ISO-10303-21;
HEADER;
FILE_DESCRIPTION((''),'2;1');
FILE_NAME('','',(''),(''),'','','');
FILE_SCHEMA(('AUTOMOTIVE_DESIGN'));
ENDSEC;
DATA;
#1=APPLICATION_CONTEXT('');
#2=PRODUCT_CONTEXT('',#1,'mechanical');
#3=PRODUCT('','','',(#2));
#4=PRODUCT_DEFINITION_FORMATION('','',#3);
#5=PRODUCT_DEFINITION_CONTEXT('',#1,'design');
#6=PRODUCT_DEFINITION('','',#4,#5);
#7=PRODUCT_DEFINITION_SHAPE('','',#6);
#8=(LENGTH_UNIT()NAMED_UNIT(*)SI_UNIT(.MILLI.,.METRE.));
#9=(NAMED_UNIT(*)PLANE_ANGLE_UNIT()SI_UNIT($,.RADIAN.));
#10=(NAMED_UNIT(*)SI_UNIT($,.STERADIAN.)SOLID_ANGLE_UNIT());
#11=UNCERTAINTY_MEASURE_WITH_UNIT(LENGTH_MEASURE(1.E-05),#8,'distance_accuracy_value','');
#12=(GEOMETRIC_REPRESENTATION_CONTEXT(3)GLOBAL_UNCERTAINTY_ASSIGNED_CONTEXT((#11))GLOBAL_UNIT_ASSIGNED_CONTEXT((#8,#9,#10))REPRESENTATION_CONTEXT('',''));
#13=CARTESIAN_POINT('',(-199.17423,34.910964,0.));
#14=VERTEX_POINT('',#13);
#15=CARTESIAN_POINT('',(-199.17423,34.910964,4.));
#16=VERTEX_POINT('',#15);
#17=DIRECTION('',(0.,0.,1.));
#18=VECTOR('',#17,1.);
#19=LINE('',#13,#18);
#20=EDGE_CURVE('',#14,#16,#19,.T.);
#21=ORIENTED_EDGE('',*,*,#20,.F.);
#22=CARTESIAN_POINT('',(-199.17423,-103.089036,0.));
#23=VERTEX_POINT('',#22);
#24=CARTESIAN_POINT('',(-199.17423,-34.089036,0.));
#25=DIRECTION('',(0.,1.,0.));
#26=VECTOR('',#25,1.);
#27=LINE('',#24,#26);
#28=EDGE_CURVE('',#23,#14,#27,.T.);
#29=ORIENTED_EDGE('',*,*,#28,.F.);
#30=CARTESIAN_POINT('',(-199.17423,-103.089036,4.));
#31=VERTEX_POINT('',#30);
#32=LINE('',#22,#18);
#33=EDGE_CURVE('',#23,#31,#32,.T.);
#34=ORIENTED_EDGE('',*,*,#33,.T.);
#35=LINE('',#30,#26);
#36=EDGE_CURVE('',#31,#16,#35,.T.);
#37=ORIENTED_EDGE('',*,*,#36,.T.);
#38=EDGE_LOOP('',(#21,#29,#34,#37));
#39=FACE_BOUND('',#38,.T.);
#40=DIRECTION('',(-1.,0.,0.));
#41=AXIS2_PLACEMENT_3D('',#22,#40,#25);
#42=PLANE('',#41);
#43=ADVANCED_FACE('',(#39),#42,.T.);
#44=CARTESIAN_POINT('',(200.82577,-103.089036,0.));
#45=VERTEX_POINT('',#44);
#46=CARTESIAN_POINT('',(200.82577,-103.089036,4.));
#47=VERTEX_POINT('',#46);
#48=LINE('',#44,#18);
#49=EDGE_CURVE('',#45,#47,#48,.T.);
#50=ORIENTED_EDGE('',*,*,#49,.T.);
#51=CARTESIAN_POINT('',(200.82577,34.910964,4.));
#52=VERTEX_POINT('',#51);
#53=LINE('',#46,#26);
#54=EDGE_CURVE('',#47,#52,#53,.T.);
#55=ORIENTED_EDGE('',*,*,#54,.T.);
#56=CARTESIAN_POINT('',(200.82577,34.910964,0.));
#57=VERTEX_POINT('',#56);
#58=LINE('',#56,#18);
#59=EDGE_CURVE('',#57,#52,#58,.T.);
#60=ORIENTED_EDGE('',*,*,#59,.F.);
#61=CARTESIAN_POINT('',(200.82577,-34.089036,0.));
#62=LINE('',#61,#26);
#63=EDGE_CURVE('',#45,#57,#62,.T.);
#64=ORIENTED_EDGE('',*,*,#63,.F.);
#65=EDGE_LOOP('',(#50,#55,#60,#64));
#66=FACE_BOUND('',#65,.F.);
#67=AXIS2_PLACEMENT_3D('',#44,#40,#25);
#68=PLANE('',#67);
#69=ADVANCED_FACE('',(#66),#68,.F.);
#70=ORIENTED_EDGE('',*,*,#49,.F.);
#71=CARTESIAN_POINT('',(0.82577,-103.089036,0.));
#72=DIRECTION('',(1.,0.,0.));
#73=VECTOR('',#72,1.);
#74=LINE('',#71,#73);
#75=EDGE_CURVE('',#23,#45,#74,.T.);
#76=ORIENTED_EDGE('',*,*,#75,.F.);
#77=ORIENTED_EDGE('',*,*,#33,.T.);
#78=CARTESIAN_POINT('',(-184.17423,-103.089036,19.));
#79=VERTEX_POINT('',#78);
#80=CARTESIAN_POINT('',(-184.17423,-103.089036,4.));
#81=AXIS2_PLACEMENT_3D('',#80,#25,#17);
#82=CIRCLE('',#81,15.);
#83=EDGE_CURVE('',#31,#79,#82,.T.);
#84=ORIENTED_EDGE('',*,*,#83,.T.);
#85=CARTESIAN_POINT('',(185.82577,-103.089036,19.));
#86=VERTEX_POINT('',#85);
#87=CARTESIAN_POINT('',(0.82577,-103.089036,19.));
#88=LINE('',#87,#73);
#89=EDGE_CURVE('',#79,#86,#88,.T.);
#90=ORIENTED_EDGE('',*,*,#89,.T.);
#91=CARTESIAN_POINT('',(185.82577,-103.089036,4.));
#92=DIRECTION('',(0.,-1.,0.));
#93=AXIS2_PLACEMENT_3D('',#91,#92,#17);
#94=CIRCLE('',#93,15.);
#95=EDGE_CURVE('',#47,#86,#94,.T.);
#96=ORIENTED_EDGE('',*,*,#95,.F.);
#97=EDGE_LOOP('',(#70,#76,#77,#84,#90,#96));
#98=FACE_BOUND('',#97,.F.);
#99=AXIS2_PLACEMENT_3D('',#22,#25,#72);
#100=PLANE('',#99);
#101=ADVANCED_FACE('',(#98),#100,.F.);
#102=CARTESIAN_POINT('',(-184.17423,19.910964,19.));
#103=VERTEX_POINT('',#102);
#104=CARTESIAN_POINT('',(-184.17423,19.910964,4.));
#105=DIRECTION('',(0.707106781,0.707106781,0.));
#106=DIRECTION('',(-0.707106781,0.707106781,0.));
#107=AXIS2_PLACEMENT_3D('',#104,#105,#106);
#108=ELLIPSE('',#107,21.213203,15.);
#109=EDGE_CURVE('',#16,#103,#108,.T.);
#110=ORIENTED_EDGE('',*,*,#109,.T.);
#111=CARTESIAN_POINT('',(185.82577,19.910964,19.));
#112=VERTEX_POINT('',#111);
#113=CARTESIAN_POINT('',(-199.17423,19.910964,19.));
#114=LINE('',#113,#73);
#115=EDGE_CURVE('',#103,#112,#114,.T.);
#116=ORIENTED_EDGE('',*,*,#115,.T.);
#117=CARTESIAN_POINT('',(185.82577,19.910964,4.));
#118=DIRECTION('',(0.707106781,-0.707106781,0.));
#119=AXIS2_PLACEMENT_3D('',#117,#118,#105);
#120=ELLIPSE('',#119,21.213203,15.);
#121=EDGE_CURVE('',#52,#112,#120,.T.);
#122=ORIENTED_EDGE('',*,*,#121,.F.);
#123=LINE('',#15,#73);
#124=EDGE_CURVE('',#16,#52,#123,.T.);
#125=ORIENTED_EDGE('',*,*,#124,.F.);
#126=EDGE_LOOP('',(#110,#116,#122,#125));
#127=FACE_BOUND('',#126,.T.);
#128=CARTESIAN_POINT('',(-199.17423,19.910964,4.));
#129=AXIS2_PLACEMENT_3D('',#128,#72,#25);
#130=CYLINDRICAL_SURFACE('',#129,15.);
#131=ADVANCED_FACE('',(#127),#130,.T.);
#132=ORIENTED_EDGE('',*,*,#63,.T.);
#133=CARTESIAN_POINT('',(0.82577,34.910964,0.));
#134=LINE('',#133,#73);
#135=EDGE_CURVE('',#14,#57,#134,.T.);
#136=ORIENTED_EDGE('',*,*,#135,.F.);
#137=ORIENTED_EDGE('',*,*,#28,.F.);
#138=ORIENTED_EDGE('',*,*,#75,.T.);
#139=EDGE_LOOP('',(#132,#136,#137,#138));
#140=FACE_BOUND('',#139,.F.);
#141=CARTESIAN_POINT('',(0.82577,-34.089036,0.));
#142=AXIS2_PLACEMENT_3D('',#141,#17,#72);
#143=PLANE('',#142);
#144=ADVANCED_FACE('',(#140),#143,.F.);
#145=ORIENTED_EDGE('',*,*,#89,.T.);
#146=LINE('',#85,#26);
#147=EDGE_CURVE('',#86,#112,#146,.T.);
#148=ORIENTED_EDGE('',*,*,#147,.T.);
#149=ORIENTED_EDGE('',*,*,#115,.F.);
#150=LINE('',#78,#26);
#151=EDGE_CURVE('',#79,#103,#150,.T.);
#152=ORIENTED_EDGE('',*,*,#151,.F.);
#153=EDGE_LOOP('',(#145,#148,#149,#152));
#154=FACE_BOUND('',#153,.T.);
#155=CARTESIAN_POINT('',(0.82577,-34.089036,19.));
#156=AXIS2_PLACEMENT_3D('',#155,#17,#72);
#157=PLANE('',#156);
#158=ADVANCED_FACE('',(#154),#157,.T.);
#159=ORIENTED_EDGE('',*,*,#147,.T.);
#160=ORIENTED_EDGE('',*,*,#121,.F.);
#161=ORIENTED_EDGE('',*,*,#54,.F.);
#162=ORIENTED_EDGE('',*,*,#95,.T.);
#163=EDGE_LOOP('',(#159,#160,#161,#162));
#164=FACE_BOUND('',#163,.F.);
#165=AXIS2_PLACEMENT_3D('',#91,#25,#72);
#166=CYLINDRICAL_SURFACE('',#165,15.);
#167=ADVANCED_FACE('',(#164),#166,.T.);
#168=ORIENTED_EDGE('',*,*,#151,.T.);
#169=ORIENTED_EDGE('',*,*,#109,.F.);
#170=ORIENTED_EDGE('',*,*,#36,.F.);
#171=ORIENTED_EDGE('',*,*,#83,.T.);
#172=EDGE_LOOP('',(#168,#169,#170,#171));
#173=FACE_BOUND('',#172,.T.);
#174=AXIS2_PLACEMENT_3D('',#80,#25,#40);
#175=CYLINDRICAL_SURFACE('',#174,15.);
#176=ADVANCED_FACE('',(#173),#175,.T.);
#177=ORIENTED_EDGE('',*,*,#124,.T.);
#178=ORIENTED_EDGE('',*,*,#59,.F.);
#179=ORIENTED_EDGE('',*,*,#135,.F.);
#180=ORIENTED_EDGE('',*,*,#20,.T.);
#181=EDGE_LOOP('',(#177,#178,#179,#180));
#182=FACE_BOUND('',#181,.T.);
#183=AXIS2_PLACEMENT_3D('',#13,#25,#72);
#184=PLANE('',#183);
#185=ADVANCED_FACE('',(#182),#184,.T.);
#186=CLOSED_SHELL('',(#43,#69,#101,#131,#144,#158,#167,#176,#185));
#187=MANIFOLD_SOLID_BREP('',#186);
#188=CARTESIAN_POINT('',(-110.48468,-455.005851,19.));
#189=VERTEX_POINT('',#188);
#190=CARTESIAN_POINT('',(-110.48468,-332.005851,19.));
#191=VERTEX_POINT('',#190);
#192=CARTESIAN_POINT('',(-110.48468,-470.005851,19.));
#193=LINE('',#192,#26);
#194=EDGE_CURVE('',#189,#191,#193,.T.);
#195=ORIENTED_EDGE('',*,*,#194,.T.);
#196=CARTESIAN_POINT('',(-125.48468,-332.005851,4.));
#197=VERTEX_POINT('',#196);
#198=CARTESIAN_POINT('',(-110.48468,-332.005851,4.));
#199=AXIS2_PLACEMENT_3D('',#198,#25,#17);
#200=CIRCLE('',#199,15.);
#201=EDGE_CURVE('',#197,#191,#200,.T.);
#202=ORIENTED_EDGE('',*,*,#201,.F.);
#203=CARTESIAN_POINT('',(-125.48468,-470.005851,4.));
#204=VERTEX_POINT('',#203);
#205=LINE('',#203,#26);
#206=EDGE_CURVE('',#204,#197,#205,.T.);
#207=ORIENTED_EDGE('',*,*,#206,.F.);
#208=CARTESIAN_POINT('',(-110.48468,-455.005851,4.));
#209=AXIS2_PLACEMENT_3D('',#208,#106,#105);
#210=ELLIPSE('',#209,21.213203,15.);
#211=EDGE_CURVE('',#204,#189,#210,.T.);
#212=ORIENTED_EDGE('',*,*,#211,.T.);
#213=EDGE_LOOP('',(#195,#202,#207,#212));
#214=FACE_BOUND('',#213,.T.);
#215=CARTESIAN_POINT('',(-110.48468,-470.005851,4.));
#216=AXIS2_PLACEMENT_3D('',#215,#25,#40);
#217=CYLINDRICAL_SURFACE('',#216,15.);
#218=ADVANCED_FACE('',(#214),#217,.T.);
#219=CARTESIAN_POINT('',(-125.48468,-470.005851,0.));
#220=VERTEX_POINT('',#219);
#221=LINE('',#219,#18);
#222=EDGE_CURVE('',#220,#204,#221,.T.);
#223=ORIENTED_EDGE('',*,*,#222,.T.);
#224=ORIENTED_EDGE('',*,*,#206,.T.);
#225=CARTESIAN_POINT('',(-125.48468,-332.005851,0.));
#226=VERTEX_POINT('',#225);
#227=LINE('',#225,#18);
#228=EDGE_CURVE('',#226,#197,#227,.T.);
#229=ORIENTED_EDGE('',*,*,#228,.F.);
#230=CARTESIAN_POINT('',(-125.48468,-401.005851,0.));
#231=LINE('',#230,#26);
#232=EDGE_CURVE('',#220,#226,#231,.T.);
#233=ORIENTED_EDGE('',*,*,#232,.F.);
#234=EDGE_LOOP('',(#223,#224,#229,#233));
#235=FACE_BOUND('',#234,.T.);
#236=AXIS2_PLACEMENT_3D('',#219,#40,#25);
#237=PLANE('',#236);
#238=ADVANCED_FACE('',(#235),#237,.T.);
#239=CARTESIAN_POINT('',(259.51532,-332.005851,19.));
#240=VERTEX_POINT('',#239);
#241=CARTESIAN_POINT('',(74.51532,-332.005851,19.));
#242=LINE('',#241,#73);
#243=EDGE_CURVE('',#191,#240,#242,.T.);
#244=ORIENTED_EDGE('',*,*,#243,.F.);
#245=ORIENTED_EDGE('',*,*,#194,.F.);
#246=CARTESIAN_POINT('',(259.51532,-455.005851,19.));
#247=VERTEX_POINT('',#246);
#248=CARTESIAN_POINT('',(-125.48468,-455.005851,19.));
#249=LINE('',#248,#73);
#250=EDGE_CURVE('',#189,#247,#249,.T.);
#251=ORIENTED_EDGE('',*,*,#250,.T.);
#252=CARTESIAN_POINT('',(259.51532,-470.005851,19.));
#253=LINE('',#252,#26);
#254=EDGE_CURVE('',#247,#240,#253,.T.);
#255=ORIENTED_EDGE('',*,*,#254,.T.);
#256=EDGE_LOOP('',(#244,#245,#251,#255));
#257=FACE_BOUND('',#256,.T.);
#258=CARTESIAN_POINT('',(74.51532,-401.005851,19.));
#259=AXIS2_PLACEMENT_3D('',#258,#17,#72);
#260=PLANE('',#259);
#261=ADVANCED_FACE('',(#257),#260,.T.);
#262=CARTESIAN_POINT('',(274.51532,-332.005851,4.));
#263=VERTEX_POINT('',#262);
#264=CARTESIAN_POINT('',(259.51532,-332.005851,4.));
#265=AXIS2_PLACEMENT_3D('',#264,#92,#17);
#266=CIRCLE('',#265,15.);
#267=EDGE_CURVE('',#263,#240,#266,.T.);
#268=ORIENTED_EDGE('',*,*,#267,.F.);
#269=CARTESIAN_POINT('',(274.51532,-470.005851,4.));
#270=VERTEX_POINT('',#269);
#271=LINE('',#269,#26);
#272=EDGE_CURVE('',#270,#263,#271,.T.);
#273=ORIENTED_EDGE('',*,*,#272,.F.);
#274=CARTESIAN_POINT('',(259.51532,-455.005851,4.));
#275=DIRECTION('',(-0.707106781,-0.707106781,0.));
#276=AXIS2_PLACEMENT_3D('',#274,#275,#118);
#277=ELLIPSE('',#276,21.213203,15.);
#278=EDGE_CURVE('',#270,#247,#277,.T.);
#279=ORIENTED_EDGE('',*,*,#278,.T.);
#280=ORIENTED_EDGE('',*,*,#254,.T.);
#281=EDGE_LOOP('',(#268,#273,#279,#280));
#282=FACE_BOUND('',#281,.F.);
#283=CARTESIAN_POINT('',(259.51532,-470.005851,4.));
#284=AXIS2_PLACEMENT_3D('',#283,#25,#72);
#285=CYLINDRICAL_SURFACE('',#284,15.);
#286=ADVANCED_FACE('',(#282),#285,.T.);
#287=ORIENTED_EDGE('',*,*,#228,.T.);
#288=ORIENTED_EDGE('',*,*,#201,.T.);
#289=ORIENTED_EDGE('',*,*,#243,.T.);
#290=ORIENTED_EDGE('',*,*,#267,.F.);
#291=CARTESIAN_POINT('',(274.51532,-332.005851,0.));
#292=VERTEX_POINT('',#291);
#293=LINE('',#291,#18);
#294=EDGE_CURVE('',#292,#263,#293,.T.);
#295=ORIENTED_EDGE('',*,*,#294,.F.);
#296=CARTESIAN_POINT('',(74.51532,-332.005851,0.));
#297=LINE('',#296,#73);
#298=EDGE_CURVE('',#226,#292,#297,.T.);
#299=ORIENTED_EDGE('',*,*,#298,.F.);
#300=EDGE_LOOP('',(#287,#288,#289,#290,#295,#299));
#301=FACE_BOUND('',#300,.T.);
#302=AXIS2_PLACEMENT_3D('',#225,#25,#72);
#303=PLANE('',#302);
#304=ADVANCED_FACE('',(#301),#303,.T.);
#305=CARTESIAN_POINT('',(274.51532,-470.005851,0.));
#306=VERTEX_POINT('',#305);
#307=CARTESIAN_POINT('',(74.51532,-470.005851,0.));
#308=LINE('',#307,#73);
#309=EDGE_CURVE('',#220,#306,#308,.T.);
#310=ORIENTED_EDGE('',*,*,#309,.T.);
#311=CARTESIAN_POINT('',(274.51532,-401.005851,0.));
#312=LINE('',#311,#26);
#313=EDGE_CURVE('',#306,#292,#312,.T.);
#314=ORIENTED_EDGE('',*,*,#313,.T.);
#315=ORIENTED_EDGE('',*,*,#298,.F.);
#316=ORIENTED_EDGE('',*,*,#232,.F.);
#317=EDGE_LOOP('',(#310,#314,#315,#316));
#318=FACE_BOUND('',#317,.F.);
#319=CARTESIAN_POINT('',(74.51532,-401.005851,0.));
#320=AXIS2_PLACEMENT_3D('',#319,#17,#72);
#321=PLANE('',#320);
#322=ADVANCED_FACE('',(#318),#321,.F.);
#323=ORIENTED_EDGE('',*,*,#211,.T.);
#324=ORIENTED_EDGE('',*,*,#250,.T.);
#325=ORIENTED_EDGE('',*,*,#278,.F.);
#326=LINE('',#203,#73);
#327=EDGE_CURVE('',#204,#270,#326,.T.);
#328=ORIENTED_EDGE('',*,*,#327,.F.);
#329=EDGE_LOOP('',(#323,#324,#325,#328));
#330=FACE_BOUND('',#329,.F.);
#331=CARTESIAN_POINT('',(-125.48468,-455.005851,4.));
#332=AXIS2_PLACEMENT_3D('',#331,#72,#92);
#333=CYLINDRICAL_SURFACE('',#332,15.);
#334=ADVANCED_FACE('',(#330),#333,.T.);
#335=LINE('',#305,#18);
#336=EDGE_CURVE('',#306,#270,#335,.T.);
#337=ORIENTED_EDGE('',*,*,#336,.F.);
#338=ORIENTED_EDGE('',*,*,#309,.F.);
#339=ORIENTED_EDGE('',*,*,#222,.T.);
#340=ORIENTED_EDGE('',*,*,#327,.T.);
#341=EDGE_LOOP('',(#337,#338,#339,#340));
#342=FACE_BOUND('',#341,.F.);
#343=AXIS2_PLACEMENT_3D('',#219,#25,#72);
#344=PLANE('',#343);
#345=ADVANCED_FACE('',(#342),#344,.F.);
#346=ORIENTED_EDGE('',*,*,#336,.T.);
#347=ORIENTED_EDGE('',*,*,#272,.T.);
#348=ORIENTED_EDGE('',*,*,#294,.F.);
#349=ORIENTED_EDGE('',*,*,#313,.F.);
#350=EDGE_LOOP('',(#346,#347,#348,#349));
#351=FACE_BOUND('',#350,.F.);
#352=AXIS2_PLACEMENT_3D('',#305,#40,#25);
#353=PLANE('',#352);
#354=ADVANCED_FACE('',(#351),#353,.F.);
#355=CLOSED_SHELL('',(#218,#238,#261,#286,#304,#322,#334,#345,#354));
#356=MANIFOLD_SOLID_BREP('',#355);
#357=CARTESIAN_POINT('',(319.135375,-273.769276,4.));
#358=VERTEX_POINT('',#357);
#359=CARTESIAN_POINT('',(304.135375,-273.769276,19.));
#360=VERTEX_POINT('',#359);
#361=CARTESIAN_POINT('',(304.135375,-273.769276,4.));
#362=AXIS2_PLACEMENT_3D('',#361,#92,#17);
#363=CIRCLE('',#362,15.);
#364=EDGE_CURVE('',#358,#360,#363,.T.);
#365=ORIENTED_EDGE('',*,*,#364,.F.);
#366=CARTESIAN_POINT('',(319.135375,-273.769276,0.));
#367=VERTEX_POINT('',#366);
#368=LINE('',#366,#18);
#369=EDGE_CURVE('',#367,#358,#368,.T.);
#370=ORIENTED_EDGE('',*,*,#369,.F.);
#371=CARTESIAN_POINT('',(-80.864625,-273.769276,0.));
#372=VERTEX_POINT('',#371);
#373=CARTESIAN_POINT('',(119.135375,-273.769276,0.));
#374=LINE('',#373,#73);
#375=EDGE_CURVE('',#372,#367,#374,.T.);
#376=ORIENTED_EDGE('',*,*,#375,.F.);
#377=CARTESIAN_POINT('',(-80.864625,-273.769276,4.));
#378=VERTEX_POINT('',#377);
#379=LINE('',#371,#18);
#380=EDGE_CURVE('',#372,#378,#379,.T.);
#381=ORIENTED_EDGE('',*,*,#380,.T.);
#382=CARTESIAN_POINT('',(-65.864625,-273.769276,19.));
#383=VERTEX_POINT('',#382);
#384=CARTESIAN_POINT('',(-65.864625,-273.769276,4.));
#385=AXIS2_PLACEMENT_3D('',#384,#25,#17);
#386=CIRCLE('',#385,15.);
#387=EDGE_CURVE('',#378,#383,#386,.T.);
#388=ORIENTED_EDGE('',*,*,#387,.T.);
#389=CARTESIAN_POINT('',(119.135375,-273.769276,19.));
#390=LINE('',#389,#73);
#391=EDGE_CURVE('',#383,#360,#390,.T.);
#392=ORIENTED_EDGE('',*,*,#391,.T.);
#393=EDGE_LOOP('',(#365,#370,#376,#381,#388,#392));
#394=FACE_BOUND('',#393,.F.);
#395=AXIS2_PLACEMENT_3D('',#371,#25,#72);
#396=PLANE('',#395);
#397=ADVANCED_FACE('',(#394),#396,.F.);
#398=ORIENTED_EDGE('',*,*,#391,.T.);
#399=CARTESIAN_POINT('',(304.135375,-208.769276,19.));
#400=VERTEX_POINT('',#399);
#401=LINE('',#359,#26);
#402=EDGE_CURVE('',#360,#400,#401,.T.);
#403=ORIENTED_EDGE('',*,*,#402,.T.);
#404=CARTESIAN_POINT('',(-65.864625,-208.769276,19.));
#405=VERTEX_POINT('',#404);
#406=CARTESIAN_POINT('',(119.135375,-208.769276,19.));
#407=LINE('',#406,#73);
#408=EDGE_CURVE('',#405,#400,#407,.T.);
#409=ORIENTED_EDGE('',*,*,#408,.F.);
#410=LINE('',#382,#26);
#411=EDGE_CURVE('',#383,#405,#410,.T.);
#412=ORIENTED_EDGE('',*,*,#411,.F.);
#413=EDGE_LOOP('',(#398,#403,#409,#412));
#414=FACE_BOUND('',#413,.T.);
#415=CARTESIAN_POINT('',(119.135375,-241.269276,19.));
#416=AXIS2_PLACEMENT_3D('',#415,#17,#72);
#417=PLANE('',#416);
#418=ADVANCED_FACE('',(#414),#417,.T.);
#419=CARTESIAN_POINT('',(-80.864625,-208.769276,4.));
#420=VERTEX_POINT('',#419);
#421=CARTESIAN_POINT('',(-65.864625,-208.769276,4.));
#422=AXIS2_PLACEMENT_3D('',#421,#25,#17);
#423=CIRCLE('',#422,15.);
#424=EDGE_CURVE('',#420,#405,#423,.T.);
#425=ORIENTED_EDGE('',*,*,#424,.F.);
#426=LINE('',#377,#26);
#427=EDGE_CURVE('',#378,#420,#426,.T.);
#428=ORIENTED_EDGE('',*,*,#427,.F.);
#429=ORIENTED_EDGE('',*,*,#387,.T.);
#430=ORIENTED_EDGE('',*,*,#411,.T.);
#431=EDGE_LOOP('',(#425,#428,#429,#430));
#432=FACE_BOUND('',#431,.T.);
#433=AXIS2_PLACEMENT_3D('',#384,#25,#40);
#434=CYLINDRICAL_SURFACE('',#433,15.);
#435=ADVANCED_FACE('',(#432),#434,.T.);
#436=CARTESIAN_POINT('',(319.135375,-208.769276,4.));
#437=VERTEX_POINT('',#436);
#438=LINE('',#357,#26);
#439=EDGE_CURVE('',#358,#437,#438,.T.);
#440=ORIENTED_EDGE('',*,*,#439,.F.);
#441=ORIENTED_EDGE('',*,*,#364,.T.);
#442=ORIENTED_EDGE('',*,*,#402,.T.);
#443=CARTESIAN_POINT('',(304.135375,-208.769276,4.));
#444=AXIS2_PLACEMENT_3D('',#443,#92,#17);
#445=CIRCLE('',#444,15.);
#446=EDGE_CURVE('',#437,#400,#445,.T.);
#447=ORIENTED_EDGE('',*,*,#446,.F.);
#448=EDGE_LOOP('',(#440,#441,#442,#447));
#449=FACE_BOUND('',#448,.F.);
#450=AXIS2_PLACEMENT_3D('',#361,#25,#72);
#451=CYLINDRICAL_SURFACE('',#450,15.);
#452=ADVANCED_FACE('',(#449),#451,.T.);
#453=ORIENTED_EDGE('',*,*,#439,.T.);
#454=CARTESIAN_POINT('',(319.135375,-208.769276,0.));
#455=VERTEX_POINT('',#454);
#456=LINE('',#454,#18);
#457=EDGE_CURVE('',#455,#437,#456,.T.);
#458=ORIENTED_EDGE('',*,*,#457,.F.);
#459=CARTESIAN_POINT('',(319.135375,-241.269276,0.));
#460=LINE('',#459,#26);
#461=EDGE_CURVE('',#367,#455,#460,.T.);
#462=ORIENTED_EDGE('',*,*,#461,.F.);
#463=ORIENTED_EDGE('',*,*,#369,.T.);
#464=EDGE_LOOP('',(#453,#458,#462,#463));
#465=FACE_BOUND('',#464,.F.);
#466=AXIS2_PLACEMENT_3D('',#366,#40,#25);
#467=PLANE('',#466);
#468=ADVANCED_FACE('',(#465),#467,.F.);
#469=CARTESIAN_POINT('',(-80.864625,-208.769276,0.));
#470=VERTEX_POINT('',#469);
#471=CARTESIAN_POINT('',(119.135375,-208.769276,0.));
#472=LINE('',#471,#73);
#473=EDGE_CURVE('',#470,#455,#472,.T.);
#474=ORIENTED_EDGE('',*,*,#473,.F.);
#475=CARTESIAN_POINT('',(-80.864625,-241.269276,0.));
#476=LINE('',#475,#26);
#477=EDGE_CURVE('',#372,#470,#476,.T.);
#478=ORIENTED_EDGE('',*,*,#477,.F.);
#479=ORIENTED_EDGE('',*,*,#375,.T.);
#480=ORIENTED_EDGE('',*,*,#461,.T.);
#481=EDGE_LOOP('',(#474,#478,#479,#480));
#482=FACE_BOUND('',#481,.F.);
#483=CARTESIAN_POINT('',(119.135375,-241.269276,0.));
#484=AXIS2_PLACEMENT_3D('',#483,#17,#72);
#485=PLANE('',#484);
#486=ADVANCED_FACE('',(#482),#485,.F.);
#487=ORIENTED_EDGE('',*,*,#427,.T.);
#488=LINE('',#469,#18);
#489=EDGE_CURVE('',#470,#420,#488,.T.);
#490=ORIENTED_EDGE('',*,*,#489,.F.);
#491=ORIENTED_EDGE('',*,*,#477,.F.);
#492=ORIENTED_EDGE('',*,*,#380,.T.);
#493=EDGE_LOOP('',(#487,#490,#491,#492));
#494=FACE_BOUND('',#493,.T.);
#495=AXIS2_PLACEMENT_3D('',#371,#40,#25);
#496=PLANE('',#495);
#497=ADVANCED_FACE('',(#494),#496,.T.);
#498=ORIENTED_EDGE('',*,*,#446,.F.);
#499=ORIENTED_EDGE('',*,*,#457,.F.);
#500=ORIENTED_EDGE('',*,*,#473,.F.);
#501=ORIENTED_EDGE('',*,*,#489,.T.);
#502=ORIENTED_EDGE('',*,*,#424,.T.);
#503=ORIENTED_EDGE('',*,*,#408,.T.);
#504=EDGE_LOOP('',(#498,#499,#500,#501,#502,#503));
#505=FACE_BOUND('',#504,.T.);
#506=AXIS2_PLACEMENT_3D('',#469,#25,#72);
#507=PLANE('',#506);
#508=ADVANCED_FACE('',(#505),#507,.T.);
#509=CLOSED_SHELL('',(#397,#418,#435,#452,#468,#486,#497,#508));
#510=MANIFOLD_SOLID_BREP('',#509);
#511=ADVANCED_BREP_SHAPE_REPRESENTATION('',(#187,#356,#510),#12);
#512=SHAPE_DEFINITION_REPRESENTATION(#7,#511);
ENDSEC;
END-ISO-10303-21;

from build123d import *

# Parameters (mm, degrees)
F0_W     = 400
F0_H     = 138
F1_DEPTH = 19
F2_W     = 400
F2_H     = 65
F3_DEPTH = 19
F4_W     = 400
F4_H     = 138
F5_DEPTH = 19
F6_R     = 15
F6_2_R   = 15
F6_3_R   = 15


with BuildPart() as f1:
    # F0 (on Top) → F1 (new body)
    with BuildSketch(Plane.XY):
        with Locations((0.82577, -34.089036)):
            Rectangle(F0_W, F0_H)
    extrude(amount=F1_DEPTH)

    # F6#3
    f6_3_edges = [f1.edges().sort_by_distance(p)[0] for p in [
        (-199.17423, -34.089036, 19),
        (0.82577, 34.910964, 19),
        (200.82577, -34.089036, 19),
    ]]
    fillet(f6_3_edges, radius=F6_3_R)


with BuildPart() as f3:
    # F2 (on Top) → F3 (new body)
    with BuildSketch(Plane.XY):
        with Locations((119.135375, -241.269276)):
            Rectangle(F2_W, F2_H)
    extrude(amount=F3_DEPTH)

    # F6#2
    f6_2_edges = [f3.edges().sort_by_distance(p)[0] for p in [
        (319.135375, -241.269276, 19),
        (-80.864625, -241.269276, 19),
    ]]
    fillet(f6_2_edges, radius=F6_2_R)


with BuildPart() as f5:
    # F4 (on Top) → F5 (new body)
    with BuildSketch(Plane.XY):
        with Locations((74.51532, -401.005851)):
            Rectangle(F4_W, F4_H)
    extrude(amount=F5_DEPTH)

    # F6
    f6_edges = [f5.edges().sort_by_distance(p)[0] for p in [
        (-125.48468, -401.005851, 19),
        (74.51532, -470.005851, 19),
        (274.51532, -401.005851, 19),
    ]]
    fillet(f6_edges, radius=F6_R)


solid = Compound([f1.part, f3.part, f5.part])
